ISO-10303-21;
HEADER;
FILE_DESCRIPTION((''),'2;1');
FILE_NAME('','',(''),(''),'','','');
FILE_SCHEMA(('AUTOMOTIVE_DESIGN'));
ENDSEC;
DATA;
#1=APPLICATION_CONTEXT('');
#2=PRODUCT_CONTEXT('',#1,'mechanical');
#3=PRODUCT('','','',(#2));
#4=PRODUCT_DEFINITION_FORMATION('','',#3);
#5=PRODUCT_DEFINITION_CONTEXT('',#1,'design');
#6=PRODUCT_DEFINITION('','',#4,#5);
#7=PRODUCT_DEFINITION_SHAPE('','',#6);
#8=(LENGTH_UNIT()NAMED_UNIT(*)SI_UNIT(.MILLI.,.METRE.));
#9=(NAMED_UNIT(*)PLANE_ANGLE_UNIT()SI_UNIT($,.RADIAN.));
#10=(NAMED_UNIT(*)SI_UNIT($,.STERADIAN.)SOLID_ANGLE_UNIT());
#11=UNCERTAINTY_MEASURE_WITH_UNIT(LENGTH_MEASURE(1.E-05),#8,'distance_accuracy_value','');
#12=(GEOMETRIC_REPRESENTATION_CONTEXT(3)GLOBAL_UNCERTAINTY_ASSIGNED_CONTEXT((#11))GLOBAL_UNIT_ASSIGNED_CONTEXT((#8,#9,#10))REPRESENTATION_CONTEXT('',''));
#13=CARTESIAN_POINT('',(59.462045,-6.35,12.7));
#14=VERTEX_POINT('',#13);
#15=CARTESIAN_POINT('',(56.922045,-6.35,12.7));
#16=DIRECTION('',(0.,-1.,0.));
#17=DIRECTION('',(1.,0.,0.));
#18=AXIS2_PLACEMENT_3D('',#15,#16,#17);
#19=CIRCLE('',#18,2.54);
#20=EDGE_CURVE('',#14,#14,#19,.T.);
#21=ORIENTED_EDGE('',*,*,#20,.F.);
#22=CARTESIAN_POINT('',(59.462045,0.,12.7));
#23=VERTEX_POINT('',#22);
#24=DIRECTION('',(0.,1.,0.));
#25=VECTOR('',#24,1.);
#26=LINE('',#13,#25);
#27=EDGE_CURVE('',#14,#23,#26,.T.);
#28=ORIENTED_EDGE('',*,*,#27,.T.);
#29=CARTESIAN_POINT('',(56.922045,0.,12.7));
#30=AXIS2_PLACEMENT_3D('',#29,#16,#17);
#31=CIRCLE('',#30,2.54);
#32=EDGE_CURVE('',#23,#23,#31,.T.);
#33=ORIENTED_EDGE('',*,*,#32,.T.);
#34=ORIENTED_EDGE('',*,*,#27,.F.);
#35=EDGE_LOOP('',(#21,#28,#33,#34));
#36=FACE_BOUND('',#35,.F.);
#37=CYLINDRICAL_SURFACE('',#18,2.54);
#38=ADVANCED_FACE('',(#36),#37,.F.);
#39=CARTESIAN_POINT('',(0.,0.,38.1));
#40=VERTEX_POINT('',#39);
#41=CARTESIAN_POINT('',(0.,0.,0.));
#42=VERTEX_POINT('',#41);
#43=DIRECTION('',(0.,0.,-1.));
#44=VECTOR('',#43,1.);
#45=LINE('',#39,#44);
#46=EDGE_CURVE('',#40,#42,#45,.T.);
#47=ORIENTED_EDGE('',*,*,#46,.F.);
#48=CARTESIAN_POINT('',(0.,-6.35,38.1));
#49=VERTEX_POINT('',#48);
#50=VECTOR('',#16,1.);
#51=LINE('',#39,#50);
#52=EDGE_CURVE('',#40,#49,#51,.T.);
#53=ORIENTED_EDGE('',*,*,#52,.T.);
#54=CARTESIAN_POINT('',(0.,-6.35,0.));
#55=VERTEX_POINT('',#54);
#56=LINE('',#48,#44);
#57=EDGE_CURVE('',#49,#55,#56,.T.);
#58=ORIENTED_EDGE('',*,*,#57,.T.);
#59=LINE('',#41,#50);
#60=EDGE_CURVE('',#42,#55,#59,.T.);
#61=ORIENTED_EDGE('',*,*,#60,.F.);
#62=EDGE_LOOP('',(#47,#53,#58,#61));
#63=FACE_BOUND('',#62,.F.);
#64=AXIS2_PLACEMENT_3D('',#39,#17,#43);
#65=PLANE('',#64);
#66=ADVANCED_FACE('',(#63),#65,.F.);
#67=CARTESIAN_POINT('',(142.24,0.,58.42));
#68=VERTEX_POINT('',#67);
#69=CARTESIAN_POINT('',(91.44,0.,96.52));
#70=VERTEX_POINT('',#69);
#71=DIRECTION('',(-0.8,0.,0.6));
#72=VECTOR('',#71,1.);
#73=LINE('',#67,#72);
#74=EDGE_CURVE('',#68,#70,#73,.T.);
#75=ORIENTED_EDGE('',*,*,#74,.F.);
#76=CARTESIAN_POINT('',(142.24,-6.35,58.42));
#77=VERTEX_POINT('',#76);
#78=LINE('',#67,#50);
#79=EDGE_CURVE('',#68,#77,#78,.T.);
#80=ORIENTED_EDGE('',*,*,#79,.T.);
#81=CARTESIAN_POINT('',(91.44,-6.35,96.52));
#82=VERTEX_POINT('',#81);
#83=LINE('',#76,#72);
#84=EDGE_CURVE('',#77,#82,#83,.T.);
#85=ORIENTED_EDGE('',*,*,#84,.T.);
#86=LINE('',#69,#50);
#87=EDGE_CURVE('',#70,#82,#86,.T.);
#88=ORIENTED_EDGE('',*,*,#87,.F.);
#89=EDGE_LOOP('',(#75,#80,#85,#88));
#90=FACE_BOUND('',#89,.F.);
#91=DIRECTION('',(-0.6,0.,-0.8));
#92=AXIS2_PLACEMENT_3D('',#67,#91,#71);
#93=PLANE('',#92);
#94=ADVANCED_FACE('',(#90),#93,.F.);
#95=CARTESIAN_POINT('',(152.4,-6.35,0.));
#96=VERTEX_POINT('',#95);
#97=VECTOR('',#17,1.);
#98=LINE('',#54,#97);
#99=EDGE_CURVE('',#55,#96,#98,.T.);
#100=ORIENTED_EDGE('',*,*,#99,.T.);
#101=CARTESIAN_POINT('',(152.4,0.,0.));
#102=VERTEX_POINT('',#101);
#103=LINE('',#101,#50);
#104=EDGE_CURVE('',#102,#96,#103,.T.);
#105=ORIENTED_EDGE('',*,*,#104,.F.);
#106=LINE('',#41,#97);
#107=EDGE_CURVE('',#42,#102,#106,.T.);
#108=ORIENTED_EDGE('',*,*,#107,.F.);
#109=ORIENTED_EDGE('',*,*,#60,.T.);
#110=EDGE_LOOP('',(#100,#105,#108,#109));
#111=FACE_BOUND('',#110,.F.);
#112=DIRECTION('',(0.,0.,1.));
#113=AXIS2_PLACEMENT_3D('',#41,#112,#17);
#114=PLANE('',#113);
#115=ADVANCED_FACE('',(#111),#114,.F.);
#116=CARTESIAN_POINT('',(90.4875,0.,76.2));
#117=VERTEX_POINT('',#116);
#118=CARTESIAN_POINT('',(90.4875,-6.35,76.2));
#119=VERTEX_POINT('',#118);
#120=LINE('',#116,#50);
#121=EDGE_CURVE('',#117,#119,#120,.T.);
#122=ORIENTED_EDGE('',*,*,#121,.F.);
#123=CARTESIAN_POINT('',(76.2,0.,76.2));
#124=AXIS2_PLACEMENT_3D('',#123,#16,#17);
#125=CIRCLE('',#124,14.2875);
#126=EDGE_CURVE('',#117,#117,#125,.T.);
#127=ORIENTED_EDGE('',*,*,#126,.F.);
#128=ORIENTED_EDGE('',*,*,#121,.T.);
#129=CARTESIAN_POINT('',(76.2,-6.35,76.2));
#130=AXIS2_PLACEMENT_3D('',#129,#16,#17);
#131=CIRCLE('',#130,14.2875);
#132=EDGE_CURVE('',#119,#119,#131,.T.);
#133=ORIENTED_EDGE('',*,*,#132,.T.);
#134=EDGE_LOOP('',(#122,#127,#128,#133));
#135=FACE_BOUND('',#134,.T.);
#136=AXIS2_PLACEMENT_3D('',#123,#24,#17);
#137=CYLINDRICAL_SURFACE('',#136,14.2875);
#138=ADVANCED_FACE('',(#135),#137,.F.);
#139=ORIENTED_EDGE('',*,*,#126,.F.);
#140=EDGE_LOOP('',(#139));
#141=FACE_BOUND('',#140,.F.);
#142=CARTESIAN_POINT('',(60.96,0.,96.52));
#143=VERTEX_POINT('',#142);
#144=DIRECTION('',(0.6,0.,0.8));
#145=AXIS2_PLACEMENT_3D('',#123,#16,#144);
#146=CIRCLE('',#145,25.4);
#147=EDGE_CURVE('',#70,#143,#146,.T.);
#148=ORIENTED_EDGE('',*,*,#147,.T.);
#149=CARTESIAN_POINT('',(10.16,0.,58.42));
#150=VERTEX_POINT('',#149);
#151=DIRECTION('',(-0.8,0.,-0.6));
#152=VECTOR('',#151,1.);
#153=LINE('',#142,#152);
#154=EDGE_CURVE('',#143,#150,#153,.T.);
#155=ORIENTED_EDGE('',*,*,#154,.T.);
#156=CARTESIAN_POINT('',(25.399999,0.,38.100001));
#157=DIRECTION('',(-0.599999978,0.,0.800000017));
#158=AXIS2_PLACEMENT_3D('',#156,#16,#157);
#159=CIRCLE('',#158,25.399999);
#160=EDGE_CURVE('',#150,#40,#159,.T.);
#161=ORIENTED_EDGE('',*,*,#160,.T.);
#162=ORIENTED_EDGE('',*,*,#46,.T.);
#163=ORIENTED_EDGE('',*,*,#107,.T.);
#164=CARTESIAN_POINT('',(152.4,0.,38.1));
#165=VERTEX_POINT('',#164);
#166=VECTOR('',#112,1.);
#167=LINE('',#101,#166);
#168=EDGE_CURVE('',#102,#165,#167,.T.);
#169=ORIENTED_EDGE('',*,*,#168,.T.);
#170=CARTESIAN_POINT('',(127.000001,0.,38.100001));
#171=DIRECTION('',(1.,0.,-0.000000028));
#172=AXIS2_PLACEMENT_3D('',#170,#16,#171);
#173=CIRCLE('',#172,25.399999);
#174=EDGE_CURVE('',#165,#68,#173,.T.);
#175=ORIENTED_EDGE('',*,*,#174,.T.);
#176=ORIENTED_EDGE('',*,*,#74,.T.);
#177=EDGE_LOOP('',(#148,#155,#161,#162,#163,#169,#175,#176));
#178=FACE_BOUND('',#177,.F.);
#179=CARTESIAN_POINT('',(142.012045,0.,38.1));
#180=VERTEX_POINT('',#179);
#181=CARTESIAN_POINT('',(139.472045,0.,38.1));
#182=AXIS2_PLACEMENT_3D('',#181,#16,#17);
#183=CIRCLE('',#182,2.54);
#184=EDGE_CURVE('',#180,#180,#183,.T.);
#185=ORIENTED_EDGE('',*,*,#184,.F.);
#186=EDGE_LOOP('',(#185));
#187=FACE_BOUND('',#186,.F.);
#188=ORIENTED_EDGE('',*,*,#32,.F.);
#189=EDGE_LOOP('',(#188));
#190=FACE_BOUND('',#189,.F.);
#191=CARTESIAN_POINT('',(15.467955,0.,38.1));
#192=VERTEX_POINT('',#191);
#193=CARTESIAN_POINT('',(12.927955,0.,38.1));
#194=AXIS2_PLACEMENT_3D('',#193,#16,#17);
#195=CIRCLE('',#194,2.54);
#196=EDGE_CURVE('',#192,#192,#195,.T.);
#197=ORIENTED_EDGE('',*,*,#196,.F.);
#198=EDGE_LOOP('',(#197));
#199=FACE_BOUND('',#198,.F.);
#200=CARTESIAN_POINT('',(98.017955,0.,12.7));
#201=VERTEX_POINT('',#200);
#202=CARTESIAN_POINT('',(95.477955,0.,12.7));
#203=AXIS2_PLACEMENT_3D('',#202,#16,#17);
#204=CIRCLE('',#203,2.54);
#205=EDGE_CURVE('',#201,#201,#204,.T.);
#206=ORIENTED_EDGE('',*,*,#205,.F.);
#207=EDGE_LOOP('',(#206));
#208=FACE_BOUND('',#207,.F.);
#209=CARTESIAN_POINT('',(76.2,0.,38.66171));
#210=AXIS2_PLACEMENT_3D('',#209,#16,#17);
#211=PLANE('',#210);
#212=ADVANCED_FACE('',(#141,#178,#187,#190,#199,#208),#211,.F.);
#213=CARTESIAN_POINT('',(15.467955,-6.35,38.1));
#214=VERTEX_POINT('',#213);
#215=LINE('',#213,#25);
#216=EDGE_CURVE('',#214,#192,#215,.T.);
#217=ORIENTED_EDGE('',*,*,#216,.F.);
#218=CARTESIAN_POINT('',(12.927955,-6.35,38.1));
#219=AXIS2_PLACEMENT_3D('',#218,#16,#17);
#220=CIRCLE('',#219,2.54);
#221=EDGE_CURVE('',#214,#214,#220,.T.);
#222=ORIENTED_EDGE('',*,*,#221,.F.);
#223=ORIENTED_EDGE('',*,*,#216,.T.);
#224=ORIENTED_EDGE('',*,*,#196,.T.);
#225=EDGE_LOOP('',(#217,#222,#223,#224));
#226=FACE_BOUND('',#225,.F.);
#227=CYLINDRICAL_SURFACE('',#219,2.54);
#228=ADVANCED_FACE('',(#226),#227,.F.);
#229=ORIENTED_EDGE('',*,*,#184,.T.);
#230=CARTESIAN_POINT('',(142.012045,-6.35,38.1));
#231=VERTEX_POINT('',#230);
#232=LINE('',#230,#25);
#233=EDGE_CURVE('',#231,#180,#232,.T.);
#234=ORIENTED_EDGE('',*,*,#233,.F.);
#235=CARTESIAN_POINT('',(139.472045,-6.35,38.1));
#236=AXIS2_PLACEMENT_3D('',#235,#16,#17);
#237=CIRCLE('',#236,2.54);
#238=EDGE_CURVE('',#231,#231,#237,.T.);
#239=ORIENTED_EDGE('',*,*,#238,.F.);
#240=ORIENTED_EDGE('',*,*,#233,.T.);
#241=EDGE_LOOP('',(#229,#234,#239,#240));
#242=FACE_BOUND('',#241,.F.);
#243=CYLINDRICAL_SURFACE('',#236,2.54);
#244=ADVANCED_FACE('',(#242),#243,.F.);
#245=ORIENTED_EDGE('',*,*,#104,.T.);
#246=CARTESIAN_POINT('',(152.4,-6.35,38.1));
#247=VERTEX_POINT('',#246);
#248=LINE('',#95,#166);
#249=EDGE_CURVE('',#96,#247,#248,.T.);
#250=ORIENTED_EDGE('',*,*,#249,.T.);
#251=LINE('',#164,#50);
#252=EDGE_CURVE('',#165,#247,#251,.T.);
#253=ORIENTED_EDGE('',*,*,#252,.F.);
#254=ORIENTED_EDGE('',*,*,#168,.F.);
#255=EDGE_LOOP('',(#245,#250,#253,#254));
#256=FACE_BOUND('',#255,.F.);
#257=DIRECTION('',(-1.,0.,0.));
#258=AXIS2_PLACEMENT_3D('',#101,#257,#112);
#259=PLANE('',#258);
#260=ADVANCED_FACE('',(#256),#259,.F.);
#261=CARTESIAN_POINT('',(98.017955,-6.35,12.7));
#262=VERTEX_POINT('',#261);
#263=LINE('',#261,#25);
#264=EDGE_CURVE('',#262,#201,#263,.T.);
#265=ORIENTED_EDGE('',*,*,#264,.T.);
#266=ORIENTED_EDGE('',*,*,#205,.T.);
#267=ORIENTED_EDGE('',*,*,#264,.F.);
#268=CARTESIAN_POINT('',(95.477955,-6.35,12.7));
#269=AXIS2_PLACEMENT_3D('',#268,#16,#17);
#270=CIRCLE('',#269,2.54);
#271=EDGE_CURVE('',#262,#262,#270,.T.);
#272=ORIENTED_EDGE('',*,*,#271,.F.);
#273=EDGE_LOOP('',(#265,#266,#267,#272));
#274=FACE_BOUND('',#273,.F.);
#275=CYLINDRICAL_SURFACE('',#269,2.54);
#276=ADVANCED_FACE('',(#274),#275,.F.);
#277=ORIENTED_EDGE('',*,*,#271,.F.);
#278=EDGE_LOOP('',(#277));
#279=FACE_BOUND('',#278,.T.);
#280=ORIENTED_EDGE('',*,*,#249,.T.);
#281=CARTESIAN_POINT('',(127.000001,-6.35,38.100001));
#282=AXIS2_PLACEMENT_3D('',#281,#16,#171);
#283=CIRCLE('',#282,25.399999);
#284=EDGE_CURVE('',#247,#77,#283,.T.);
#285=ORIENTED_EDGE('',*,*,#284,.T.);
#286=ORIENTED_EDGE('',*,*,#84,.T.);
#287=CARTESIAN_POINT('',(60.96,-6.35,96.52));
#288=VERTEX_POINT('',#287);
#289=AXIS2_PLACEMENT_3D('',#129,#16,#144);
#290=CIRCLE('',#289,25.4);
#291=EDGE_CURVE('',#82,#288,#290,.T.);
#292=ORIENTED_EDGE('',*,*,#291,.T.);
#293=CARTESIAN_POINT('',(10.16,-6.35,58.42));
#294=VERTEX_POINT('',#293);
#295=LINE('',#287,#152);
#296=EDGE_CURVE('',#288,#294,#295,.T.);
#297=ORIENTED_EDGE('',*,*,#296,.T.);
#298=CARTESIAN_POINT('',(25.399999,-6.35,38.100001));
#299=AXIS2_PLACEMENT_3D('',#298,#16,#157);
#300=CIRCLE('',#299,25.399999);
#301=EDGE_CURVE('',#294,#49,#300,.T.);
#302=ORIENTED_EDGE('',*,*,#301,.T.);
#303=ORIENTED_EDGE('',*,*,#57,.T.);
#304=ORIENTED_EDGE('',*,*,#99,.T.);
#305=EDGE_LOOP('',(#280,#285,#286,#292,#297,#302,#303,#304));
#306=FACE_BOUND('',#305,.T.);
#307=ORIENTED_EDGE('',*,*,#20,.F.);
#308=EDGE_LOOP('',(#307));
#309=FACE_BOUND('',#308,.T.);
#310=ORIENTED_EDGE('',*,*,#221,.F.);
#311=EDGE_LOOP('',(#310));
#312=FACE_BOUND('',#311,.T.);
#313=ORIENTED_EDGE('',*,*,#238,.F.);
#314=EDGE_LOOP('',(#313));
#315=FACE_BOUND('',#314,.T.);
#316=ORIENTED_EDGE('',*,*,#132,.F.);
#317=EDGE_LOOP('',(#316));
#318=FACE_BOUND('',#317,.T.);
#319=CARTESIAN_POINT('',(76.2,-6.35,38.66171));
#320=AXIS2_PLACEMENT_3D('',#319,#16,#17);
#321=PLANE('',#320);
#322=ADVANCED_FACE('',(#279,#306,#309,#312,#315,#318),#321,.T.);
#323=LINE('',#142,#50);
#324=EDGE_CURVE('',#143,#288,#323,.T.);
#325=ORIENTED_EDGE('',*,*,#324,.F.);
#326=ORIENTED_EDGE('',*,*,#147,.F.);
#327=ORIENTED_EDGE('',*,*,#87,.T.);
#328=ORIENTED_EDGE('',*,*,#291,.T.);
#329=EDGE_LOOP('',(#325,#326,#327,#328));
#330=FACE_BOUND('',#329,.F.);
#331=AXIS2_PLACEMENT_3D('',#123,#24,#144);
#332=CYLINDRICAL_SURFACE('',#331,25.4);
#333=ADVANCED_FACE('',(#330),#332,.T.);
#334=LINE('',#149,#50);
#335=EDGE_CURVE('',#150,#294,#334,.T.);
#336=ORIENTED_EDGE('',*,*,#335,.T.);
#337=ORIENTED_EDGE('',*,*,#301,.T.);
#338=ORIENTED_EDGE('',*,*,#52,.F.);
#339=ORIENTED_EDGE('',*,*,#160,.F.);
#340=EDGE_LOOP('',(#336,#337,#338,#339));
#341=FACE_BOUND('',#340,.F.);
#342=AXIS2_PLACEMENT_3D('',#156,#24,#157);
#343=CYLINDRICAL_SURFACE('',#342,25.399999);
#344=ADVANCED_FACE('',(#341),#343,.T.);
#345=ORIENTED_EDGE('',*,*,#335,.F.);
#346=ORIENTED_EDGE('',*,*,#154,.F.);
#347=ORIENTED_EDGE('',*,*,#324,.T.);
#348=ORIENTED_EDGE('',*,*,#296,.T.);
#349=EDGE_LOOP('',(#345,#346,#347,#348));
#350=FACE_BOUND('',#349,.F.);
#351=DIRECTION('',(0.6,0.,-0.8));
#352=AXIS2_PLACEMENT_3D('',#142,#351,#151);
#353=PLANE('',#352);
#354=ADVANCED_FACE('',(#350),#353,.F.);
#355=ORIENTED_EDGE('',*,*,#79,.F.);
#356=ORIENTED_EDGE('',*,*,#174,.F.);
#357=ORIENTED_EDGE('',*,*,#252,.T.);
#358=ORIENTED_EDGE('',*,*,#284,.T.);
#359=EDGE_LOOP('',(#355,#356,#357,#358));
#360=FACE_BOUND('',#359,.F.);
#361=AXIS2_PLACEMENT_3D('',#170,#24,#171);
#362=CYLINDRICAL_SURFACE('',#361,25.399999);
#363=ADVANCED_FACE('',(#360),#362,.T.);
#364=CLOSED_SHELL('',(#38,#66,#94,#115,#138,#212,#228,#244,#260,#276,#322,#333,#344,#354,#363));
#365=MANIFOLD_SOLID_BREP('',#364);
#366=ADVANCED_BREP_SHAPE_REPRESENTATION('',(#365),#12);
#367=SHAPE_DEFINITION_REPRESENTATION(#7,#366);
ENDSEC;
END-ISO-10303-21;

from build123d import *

# Parameters (mm, degrees)
F0_R     = 14.2875
F1_DEPTH = 6.35
F2_R     = 2.54
F3_DEPTH = 6.351


with BuildPart() as f1:
    # F0 (on Front) → F1 (new body)
    with BuildSketch(Plane.XZ):
        with BuildLine():
            Line((0, 38.1), (0, 0))
            Line((0, 0), (152.4, 0))
            Line((152.4, 0), (152.4, 38.1))
            ThreePointArc((152.4, 38.1), (149.718451, 49.459225), (142.24, 58.42))
            Line((142.24, 58.42), (91.44, 96.52))
            ThreePointArc((91.44, 96.52), (76.2, 101.6), (60.96, 96.52))
            Line((60.96, 96.52), (10.16, 58.42))
            ThreePointArc((10.16, 58.42), (2.681549, 49.459225), (0, 38.1))
        make_face()
        with Locations((76.2, 76.2)):
            Circle(F0_R, mode=Mode.SUBTRACT)
    extrude(amount=F1_DEPTH)

    # F2 (on face) → F3 (cut, through all)
    with BuildSketch(Plane.XZ.offset(6.35)):
        with Locations((12.927955, 38.1)):
            Circle(F2_R)
        with Locations((56.922045, 12.7)):
            Circle(F2_R)
        with Locations((95.477955, 12.7)):
            Circle(F2_R)
        with Locations((139.472045, 38.1)):
            Circle(F2_R)
    extrude(amount=-F3_DEPTH, mode=Mode.SUBTRACT)


solid = f1.part
